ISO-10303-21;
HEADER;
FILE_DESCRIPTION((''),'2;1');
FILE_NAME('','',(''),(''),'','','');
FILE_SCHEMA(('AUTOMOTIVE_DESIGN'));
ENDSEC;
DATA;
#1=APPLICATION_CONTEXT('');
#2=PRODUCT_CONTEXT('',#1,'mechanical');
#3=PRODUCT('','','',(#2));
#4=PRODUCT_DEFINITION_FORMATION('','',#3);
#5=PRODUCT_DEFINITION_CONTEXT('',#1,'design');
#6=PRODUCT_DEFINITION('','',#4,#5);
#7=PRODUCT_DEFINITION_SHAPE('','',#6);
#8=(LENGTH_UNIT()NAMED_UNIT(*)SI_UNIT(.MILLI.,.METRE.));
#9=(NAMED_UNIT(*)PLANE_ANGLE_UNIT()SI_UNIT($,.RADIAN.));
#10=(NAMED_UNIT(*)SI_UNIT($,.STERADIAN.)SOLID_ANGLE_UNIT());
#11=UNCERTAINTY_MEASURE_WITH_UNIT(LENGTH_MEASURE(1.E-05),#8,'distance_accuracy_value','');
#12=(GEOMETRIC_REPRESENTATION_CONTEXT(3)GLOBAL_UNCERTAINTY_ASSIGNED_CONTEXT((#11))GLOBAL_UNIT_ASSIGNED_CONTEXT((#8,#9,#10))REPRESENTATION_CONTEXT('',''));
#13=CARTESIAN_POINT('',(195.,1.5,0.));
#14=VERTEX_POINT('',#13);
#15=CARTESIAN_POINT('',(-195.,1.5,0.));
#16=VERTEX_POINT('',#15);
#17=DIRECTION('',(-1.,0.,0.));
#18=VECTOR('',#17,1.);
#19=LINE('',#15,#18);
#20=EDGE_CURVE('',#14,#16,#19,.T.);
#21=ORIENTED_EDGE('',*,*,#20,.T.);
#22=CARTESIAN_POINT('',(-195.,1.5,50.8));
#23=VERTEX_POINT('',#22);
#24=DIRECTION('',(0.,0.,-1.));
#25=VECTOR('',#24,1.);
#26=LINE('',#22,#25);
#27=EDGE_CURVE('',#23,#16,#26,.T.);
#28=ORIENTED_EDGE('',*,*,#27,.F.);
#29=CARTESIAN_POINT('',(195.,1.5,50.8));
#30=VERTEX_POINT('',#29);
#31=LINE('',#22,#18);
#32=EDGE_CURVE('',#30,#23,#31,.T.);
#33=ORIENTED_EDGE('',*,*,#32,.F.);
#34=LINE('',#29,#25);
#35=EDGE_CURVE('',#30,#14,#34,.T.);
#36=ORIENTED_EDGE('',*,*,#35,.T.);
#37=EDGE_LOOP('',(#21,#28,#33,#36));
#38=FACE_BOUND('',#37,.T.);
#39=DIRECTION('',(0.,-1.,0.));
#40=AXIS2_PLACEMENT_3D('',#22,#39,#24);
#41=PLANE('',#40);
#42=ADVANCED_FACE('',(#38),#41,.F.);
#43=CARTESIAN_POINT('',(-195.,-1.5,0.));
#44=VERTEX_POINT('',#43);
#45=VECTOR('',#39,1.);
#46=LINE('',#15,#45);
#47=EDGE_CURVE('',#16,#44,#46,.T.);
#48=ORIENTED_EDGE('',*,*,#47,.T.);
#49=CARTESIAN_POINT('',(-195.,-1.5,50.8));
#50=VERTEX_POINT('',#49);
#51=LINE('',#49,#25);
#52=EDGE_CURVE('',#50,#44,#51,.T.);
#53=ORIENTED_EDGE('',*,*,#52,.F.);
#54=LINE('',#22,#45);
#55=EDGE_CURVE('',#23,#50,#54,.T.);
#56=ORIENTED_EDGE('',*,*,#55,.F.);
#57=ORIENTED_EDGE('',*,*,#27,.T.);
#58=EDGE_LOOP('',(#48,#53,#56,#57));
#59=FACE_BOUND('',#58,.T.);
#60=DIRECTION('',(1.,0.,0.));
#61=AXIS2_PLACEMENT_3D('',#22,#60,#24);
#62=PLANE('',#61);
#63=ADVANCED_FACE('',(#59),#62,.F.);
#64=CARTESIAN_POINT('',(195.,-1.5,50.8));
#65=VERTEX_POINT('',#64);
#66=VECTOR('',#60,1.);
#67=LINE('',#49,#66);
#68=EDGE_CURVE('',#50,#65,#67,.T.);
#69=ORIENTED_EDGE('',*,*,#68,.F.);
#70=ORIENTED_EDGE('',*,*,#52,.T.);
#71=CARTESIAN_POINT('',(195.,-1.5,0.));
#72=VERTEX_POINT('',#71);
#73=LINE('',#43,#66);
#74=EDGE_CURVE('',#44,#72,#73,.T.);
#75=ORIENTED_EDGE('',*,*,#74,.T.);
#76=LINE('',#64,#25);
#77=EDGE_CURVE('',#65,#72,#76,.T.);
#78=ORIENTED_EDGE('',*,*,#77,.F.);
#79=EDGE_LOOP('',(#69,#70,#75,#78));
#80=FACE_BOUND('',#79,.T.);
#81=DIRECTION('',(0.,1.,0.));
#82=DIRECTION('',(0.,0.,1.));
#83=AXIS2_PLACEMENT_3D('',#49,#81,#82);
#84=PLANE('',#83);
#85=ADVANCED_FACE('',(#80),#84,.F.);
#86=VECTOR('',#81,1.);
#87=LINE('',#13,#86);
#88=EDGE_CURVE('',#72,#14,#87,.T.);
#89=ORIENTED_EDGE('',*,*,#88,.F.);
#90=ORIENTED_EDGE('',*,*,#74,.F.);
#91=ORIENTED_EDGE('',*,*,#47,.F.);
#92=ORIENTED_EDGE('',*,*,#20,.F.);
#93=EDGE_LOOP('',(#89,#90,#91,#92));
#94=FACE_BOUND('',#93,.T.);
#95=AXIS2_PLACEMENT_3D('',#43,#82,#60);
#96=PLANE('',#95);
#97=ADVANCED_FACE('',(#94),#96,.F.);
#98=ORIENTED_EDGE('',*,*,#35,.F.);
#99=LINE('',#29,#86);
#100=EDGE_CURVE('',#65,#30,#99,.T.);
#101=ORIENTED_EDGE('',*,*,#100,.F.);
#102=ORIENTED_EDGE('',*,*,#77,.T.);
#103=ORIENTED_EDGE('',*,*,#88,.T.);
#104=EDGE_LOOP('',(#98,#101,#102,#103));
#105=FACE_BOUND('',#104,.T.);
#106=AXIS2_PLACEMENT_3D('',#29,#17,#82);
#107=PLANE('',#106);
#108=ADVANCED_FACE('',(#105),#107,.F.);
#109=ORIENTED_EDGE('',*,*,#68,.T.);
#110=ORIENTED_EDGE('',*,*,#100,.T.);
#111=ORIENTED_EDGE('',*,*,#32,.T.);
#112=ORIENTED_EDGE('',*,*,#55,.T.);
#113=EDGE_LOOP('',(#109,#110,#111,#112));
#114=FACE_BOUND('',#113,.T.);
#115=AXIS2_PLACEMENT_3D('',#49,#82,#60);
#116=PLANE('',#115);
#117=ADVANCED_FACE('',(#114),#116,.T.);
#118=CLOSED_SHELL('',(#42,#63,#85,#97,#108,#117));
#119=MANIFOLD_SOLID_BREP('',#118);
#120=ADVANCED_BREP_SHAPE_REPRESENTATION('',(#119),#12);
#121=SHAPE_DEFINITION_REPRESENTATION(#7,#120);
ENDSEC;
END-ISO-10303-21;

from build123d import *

# Parameters (mm, degrees)
CROQUIS1_W              = 390
CROQUIS1_H              = 3
SALIENTE_EXTRUIR1_DEPTH = 50.8


with BuildPart() as part:
    # Croquis1 → Saliente-Extruir1 (new body)
    with BuildSketch(Plane.XY):
        Rectangle(CROQUIS1_W, CROQUIS1_H)
    extrude(amount=SALIENTE_EXTRUIR1_DEPTH)


solid = part.part
